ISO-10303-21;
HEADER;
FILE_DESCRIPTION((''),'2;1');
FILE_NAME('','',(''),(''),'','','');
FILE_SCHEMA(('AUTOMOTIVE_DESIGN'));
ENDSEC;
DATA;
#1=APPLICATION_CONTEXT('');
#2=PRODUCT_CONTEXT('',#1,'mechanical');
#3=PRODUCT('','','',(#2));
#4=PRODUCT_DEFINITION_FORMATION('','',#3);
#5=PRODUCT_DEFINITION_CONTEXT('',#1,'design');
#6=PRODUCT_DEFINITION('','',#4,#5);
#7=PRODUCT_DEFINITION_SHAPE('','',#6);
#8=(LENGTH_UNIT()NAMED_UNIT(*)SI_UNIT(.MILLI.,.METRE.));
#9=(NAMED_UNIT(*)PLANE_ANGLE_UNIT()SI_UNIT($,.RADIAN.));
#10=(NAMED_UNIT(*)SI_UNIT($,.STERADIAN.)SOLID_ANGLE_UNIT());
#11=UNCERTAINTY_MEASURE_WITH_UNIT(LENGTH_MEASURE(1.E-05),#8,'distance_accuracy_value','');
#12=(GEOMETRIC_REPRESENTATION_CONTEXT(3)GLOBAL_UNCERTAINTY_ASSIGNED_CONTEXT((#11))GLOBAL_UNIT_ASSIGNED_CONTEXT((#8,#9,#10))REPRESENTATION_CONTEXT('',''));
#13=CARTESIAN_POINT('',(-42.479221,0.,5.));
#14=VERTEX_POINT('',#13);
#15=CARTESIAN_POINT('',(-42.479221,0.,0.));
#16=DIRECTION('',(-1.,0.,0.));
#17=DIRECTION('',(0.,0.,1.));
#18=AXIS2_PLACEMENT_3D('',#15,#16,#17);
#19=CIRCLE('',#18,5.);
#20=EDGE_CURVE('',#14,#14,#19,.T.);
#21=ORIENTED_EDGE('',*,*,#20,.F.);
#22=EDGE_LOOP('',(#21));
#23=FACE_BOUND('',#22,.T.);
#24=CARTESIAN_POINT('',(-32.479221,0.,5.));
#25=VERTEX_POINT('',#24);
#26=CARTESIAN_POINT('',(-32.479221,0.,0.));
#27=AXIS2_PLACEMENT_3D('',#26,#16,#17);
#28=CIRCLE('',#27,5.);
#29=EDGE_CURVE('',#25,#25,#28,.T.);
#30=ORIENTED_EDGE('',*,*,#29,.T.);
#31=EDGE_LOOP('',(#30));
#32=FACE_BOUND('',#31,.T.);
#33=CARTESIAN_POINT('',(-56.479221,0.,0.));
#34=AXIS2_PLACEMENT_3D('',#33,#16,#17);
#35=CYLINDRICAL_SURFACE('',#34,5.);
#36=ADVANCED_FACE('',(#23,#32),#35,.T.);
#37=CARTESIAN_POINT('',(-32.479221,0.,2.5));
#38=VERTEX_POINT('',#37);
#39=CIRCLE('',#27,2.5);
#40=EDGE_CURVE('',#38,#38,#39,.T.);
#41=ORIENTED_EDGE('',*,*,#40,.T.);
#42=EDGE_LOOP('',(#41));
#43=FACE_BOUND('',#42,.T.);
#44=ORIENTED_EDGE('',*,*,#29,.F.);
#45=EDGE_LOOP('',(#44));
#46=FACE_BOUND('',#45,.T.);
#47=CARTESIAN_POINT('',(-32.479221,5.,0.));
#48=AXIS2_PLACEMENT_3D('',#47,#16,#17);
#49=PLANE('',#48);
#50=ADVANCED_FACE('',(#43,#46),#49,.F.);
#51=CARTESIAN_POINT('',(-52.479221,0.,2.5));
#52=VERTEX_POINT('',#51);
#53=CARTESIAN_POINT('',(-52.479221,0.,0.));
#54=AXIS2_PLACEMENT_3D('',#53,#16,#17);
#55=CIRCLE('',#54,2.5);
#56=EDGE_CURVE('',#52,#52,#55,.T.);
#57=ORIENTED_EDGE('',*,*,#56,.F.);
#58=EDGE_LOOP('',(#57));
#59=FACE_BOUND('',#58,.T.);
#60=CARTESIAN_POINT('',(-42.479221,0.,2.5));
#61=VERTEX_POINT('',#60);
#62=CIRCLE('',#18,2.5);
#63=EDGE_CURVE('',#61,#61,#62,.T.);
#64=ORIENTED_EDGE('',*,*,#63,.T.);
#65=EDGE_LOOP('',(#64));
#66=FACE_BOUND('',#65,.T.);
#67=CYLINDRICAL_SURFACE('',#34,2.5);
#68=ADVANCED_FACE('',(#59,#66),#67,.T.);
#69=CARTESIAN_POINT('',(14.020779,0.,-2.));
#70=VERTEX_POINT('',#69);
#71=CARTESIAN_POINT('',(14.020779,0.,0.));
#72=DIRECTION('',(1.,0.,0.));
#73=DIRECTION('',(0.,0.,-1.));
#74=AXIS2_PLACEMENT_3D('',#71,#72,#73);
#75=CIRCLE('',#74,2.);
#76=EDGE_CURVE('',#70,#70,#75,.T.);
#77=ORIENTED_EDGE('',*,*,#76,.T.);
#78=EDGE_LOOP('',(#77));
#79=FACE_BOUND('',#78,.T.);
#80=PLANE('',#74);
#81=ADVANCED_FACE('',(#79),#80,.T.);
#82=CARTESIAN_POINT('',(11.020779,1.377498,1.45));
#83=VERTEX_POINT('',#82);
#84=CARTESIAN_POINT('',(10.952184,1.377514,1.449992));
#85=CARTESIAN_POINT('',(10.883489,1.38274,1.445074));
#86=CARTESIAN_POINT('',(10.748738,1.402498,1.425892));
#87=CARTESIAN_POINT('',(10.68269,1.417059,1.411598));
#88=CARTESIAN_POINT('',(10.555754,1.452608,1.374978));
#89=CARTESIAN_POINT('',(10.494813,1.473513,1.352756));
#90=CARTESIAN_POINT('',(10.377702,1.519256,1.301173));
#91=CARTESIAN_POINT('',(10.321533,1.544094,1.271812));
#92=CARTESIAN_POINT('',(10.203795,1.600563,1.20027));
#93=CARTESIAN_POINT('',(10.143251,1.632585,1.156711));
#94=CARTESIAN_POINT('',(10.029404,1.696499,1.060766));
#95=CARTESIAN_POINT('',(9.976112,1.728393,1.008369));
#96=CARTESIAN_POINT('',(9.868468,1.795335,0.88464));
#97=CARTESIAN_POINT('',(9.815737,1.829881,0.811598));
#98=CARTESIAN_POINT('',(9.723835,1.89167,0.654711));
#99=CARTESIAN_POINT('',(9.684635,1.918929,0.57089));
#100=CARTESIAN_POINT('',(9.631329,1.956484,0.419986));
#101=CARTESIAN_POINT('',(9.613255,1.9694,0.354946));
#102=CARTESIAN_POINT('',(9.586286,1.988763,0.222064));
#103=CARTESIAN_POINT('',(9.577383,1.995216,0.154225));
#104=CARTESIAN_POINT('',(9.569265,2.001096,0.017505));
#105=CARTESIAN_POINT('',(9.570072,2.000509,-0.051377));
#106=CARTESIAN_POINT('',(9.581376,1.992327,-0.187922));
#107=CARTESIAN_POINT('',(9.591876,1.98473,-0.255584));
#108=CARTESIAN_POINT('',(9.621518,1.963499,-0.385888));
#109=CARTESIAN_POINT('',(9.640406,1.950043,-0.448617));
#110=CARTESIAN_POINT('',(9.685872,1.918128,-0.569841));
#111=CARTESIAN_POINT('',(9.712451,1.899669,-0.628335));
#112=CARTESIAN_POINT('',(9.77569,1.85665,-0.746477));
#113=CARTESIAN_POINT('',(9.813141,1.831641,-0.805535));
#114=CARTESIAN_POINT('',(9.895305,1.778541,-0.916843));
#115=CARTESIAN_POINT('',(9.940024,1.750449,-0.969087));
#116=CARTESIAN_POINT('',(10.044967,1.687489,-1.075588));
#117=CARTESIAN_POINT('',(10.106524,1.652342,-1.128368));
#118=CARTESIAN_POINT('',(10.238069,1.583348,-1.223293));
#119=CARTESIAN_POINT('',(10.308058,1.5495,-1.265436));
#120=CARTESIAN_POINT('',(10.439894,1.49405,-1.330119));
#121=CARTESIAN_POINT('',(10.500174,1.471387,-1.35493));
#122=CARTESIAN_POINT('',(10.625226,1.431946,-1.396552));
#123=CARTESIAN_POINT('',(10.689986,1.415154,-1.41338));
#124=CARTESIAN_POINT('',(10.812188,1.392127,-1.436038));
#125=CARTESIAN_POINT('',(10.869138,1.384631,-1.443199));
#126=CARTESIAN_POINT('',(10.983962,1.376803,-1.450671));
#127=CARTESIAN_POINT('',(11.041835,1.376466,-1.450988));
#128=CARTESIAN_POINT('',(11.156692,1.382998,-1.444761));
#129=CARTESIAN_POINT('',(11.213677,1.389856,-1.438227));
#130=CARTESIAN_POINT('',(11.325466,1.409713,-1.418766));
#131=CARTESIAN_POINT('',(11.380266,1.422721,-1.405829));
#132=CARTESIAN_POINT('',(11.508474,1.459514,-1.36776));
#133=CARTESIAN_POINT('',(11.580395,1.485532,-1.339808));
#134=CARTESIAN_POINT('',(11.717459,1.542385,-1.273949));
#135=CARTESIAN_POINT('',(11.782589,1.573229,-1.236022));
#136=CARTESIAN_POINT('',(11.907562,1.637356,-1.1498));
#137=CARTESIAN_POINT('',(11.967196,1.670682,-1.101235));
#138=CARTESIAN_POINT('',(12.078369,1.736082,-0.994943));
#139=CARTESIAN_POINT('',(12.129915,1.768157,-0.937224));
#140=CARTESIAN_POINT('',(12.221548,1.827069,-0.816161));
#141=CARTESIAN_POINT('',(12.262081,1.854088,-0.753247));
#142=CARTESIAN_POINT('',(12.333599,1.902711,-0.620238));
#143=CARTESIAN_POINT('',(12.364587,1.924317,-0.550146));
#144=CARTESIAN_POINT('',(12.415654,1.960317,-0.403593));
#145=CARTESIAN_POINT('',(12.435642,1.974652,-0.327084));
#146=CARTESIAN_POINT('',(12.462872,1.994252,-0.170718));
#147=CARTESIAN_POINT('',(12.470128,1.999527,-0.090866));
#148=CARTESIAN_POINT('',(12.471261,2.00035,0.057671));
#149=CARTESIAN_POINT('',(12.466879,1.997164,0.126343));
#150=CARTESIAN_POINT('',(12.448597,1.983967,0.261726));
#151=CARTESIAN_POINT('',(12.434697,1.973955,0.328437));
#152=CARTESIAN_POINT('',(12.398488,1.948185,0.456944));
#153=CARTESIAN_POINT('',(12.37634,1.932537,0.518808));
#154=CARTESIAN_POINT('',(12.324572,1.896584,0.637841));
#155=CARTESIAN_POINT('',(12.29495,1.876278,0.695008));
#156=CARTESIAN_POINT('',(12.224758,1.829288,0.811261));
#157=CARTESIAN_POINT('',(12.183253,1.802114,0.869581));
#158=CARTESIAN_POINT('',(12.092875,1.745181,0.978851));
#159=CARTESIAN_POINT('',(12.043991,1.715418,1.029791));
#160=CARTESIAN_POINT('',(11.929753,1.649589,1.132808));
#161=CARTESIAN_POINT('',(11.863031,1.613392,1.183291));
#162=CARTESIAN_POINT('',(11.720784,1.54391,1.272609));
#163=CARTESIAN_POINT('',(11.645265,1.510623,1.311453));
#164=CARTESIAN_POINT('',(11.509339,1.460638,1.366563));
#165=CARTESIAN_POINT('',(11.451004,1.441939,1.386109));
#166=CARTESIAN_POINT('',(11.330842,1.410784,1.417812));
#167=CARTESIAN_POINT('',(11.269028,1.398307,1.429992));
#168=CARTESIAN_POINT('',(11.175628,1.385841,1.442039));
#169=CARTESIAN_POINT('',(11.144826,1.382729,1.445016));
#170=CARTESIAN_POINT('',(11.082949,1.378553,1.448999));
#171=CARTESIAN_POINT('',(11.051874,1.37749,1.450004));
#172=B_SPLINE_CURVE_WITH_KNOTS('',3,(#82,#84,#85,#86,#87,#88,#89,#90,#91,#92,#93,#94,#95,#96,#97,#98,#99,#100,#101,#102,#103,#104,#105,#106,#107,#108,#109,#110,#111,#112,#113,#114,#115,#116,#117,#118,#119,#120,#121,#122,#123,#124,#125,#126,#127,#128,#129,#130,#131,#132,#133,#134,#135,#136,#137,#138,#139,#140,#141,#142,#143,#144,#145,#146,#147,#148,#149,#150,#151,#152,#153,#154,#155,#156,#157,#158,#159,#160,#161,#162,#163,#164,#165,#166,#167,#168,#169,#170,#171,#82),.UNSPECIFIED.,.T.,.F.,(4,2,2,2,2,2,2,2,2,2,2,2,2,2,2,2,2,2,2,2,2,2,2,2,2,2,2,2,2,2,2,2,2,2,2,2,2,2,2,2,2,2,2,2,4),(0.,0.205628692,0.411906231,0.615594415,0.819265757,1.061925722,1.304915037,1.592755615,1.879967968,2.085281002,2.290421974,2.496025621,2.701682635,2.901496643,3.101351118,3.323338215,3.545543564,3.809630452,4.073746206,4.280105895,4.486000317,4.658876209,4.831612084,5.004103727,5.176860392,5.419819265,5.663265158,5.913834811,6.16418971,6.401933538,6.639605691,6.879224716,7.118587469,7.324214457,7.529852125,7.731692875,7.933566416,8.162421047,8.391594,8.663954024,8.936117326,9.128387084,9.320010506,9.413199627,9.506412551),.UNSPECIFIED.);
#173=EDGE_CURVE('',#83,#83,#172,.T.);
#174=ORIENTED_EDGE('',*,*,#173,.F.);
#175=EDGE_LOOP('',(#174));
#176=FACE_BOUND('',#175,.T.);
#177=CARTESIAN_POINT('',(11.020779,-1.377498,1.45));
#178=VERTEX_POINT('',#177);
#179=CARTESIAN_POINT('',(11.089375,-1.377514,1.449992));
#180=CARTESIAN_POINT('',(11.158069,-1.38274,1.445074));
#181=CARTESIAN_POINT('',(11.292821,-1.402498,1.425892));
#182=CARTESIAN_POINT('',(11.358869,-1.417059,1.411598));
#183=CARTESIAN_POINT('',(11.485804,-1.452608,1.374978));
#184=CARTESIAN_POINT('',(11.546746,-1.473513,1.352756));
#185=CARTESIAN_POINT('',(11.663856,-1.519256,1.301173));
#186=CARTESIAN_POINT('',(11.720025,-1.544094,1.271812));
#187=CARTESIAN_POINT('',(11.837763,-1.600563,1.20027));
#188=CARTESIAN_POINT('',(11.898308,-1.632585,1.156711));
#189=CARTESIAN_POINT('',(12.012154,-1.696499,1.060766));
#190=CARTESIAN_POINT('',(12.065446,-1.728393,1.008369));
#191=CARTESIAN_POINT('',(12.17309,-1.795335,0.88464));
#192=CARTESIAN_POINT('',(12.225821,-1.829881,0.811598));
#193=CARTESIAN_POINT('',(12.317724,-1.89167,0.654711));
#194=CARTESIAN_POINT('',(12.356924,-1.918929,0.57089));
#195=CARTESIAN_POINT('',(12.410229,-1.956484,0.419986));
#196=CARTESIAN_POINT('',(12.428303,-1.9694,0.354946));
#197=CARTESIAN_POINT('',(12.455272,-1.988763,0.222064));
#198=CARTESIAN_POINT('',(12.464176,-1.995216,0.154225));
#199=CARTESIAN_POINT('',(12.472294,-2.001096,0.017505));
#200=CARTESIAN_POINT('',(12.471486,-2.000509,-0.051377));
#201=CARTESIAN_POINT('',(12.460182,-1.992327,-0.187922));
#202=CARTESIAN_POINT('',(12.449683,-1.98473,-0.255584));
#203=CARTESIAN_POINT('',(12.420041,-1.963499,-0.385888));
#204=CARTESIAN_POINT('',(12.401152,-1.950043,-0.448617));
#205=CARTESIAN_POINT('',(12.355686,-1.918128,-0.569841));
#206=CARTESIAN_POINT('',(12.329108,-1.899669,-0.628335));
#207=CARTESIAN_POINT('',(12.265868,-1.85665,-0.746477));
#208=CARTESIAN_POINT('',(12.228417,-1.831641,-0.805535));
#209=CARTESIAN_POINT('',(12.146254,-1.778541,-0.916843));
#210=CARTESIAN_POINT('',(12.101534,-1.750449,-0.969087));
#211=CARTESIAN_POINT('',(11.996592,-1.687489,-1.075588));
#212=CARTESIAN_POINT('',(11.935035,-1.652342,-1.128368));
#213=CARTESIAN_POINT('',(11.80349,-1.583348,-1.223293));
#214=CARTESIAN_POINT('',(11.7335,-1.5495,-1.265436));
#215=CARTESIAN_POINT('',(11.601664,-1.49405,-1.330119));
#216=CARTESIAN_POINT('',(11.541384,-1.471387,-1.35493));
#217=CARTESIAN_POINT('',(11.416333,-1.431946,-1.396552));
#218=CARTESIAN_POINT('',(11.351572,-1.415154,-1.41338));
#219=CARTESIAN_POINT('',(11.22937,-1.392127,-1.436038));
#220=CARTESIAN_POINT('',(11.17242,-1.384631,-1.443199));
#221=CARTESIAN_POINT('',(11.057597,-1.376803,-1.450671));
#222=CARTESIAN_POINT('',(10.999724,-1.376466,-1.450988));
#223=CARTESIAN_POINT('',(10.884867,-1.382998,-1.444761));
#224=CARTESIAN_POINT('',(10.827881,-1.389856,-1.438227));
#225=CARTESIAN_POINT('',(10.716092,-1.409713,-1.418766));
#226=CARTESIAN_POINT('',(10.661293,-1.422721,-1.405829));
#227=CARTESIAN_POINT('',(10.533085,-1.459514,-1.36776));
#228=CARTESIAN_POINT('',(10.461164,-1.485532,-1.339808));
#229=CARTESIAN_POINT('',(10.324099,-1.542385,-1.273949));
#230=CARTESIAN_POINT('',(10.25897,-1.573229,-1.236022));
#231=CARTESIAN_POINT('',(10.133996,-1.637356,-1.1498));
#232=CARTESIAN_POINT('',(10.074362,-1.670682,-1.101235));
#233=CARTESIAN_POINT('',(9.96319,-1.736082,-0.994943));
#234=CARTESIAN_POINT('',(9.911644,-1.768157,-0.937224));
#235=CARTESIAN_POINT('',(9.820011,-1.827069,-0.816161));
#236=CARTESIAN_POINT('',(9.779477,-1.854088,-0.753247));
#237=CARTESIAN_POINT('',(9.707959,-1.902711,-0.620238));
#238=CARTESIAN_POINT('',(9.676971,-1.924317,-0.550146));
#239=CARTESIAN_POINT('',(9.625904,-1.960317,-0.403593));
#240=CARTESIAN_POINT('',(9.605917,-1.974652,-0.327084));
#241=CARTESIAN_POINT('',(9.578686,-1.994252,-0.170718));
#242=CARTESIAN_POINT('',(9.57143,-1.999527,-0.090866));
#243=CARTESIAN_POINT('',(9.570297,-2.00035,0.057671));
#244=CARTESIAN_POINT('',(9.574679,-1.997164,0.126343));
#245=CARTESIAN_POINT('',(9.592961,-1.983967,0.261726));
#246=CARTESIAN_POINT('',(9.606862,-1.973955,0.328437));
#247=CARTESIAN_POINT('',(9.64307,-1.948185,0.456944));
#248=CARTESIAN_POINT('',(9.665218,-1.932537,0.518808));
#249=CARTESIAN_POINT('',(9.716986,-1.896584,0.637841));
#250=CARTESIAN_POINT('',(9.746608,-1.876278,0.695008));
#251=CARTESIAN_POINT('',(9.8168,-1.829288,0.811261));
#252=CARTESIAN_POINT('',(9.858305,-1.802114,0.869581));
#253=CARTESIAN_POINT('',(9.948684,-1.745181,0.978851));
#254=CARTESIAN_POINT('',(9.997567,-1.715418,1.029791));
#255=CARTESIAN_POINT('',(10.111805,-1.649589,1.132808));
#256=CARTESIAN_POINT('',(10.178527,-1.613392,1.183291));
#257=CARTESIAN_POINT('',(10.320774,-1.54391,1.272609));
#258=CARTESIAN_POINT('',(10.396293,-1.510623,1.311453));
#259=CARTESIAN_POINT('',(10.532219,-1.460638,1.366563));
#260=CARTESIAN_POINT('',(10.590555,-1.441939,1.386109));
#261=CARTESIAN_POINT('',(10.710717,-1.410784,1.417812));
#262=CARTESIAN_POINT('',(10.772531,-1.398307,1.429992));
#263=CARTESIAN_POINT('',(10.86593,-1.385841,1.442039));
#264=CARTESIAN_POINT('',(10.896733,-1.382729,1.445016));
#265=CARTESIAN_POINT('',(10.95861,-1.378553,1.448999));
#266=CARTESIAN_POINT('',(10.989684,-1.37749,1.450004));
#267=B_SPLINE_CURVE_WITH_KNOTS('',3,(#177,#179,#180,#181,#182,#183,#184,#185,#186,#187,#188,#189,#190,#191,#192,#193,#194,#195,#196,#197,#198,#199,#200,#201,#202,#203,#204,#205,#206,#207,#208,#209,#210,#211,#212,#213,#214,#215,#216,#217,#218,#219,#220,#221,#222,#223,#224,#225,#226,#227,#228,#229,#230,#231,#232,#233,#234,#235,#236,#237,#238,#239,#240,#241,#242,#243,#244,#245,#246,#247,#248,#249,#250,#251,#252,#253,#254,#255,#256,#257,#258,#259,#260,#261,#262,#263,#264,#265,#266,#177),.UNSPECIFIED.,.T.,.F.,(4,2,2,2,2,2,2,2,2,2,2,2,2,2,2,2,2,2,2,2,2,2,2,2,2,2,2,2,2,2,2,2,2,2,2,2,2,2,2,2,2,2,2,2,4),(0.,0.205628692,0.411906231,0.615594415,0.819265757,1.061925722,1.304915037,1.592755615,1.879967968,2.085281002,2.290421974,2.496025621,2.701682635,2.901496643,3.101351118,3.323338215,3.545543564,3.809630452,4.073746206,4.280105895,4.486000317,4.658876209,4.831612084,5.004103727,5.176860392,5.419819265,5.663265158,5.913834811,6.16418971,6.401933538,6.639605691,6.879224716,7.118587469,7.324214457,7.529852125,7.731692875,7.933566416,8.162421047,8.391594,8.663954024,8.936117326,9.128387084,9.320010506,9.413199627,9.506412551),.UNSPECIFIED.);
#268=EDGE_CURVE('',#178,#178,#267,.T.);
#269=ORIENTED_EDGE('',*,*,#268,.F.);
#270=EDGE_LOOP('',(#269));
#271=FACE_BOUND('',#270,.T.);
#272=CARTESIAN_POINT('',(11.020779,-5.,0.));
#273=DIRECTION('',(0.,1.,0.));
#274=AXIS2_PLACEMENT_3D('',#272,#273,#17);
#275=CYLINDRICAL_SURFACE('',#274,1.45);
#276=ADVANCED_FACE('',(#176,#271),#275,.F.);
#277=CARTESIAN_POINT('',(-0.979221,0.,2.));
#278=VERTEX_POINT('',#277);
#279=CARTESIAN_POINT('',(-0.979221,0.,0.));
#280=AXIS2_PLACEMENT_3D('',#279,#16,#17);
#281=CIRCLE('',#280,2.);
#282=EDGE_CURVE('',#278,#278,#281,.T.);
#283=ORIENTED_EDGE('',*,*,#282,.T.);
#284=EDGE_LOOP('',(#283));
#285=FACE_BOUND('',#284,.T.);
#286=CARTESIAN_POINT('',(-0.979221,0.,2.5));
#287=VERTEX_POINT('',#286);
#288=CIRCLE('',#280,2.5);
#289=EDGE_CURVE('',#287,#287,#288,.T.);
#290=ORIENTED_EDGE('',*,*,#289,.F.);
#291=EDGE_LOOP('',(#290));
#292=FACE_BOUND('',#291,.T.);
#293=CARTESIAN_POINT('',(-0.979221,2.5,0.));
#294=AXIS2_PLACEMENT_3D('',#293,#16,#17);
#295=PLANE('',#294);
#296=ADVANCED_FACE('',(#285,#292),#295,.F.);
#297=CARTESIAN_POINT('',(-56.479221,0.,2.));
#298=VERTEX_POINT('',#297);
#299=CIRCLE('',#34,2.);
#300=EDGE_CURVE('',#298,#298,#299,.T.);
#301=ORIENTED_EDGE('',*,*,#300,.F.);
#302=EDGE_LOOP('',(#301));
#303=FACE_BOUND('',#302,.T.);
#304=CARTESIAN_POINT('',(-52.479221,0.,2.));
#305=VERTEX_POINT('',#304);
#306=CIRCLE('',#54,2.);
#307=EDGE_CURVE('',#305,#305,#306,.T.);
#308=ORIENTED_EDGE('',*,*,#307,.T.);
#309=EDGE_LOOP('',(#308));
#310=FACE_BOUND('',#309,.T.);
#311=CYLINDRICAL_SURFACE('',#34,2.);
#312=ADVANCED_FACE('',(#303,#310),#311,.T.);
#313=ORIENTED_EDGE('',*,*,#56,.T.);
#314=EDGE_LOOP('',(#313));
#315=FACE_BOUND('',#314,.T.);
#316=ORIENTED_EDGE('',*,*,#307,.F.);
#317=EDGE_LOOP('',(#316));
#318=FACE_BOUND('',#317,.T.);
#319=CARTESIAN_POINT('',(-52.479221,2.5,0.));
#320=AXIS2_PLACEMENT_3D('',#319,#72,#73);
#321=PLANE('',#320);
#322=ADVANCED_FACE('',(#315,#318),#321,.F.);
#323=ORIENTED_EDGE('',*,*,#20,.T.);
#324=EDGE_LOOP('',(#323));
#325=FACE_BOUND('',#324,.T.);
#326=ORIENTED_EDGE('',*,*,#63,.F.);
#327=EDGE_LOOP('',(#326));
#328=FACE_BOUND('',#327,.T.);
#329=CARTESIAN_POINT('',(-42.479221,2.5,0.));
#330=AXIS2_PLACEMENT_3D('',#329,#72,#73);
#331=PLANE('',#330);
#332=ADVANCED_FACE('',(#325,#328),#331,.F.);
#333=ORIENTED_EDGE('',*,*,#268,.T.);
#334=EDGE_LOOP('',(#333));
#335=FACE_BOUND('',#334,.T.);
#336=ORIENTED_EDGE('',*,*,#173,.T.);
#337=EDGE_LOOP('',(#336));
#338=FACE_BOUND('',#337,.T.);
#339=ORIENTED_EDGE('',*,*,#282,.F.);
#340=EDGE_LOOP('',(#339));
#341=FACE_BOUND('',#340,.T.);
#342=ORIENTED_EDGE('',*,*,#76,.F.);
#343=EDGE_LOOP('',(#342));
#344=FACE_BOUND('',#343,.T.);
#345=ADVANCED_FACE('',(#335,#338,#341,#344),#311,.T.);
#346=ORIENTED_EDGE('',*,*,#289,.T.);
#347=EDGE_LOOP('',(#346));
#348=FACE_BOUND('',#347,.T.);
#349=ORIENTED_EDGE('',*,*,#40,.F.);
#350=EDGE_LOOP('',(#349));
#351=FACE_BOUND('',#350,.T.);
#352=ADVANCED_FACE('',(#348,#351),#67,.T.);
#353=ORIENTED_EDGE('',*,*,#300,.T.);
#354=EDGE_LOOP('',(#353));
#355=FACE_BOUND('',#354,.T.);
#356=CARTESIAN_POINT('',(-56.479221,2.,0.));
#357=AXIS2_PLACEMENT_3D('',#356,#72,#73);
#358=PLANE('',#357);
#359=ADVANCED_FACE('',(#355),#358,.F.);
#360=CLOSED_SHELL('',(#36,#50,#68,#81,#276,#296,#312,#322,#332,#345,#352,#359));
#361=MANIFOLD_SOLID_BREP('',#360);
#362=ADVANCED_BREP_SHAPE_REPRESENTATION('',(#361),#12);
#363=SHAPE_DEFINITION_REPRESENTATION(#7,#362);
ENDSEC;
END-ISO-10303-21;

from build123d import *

# Parameters (mm, degrees)
SKETCH_2_R          = 2
EXTRUDE_1_DEPTH     = 2
SKETCH_5_R          = 1.45
CUT_EXTRUDE_4_DEPTH = 5


with BuildPart() as part:
    # 草图1 → 旋转1 (revolve)
    with BuildSketch(Plane.XY):
        Polygon((-52.479220812, 2.5), (-52.479220812, 2), (-56.479220812, 2), (-56.479220812, 0), (12.020779188, 0), (12.020779188, 2), (-0.979220812, 2), (-0.979220812, 2.5), (-32.479220812, 2.5), (-32.479220812, 5), (-42.479220812, 5), (-42.479220812, 2.5), align=None)
    revolve(axis=Axis((-56.479220812, 0, 0), (1, 0, 0)))

    # 草图2 → 凸台-拉伸1 (add)
    with BuildSketch(Plane(origin=(12.020779188, 0, 0), x_dir=(0, 0, -1), z_dir=(1, 0, 0))):
        Circle(SKETCH_2_R)
    extrude(amount=EXTRUDE_1_DEPTH)

    # 草图5 → 切除-拉伸4 (cut, symmetric)
    with BuildSketch(Plane(origin=(0, 0, 0), x_dir=(1, 0, 0), z_dir=(0, 1, 0))):
        with Locations((11.020779188, 0)):
            Circle(SKETCH_5_R)
    extrude(amount=CUT_EXTRUDE_4_DEPTH, both=True, mode=Mode.SUBTRACT)


solid = part.part
